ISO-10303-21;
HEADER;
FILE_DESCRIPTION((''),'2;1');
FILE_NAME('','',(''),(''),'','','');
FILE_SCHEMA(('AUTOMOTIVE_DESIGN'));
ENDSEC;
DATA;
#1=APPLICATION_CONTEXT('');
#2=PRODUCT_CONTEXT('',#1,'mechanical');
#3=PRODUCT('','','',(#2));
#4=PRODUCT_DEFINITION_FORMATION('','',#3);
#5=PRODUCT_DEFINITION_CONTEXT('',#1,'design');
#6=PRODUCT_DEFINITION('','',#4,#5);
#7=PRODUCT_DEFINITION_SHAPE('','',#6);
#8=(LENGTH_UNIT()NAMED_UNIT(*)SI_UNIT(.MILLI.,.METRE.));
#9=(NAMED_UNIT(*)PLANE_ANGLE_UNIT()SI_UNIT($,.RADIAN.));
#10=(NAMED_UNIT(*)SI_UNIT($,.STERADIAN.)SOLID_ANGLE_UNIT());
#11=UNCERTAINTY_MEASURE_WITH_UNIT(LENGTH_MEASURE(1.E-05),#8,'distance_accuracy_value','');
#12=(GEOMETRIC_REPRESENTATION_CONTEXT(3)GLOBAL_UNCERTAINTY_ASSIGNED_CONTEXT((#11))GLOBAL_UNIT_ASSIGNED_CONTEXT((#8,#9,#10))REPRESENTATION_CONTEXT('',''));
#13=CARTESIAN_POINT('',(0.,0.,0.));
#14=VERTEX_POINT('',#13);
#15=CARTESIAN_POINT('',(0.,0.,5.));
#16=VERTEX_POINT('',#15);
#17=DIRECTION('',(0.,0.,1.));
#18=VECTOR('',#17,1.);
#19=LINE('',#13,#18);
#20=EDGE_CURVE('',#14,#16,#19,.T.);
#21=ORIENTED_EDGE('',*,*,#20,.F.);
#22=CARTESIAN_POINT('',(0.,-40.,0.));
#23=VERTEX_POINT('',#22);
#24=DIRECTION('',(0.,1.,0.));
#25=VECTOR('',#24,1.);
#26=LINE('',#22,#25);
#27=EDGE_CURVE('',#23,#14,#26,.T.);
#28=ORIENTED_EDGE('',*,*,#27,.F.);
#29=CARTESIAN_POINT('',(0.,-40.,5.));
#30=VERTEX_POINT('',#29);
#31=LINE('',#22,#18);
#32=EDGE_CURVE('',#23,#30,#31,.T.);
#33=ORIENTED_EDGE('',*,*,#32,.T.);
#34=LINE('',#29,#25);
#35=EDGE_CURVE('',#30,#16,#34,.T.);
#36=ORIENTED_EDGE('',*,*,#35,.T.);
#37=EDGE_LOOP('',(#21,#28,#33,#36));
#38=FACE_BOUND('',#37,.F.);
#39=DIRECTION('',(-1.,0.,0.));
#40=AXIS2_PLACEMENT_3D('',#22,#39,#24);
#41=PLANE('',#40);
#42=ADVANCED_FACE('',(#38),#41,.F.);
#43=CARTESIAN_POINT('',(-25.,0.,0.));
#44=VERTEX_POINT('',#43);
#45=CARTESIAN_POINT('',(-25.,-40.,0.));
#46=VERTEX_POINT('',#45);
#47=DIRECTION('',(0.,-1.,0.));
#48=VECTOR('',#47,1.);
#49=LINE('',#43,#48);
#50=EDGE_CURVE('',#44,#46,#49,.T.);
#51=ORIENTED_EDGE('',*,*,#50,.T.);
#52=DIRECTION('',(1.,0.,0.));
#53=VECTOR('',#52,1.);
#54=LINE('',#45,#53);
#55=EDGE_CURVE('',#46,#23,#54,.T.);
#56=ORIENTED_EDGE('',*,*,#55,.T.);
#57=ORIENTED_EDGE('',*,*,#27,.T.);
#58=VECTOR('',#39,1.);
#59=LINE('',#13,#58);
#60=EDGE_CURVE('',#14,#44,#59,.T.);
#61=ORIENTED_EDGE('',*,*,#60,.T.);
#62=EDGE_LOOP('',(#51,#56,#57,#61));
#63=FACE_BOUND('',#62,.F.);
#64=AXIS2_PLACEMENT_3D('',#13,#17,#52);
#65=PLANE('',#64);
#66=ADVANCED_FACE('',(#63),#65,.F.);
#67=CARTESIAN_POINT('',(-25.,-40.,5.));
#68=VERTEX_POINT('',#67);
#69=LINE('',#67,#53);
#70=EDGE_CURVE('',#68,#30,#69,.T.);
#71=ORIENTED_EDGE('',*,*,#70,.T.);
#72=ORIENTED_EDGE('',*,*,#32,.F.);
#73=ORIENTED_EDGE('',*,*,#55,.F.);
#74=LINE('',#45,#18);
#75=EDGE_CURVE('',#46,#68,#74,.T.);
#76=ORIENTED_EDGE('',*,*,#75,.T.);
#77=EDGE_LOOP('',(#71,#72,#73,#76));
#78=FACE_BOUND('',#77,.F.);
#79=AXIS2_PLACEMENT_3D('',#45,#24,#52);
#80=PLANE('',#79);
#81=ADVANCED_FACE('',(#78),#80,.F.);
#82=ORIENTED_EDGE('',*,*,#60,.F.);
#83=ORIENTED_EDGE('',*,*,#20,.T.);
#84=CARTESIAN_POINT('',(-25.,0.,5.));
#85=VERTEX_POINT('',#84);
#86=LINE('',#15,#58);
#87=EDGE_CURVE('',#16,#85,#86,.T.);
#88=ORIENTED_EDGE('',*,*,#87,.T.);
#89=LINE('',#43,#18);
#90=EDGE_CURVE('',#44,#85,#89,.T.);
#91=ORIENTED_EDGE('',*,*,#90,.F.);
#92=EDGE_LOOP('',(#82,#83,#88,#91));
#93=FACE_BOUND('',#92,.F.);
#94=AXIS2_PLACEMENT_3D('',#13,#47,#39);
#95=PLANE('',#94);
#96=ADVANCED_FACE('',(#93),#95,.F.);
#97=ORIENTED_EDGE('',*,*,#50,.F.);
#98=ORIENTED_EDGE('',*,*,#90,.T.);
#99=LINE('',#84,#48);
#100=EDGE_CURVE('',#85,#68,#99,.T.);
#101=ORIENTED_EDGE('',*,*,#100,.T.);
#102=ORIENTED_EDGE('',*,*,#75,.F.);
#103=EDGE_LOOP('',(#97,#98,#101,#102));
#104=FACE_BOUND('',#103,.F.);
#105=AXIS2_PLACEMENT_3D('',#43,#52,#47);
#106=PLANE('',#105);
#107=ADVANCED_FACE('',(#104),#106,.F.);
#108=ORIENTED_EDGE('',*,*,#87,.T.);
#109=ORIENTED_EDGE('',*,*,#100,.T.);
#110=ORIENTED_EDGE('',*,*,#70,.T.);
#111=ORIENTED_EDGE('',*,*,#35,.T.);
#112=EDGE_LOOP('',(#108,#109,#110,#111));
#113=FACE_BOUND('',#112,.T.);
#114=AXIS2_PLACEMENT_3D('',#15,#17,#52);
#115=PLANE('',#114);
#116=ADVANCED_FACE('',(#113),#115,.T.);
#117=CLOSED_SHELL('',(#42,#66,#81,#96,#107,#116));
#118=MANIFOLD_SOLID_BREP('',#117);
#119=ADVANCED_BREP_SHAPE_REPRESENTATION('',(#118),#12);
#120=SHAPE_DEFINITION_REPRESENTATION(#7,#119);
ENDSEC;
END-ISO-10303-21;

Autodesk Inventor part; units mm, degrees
ref_plane "YZ Plane" through (0, 0, 0) normal (1, 0, 0) x (0, 1, 0)
ref_plane "XZ Plane" through (0, 0, 0) normal (0, 1, 0) x (-1, 0, 0)
ref_plane "XY Plane" through (0, 0, 0) normal (0, 0, 1) x (1, 0, 0)
sketch "スケッチ1" plane through (0, 0, 0) normal (0, 0, 1) x (1, 0, 0)
  line L0 (0, 0) -> (-25, 0)
  line L1 (-25, 0) -> (-25, -40)
  line L2 (-25, -40) -> (0, -40)
  line L3 (0, -40) -> (0, 0)
  dimension "d0" = 40
  dimension "d1" = 25
extrude "押し出し1" add sketch "スケッチ1" along normal blind 5
properties part number "batery"
